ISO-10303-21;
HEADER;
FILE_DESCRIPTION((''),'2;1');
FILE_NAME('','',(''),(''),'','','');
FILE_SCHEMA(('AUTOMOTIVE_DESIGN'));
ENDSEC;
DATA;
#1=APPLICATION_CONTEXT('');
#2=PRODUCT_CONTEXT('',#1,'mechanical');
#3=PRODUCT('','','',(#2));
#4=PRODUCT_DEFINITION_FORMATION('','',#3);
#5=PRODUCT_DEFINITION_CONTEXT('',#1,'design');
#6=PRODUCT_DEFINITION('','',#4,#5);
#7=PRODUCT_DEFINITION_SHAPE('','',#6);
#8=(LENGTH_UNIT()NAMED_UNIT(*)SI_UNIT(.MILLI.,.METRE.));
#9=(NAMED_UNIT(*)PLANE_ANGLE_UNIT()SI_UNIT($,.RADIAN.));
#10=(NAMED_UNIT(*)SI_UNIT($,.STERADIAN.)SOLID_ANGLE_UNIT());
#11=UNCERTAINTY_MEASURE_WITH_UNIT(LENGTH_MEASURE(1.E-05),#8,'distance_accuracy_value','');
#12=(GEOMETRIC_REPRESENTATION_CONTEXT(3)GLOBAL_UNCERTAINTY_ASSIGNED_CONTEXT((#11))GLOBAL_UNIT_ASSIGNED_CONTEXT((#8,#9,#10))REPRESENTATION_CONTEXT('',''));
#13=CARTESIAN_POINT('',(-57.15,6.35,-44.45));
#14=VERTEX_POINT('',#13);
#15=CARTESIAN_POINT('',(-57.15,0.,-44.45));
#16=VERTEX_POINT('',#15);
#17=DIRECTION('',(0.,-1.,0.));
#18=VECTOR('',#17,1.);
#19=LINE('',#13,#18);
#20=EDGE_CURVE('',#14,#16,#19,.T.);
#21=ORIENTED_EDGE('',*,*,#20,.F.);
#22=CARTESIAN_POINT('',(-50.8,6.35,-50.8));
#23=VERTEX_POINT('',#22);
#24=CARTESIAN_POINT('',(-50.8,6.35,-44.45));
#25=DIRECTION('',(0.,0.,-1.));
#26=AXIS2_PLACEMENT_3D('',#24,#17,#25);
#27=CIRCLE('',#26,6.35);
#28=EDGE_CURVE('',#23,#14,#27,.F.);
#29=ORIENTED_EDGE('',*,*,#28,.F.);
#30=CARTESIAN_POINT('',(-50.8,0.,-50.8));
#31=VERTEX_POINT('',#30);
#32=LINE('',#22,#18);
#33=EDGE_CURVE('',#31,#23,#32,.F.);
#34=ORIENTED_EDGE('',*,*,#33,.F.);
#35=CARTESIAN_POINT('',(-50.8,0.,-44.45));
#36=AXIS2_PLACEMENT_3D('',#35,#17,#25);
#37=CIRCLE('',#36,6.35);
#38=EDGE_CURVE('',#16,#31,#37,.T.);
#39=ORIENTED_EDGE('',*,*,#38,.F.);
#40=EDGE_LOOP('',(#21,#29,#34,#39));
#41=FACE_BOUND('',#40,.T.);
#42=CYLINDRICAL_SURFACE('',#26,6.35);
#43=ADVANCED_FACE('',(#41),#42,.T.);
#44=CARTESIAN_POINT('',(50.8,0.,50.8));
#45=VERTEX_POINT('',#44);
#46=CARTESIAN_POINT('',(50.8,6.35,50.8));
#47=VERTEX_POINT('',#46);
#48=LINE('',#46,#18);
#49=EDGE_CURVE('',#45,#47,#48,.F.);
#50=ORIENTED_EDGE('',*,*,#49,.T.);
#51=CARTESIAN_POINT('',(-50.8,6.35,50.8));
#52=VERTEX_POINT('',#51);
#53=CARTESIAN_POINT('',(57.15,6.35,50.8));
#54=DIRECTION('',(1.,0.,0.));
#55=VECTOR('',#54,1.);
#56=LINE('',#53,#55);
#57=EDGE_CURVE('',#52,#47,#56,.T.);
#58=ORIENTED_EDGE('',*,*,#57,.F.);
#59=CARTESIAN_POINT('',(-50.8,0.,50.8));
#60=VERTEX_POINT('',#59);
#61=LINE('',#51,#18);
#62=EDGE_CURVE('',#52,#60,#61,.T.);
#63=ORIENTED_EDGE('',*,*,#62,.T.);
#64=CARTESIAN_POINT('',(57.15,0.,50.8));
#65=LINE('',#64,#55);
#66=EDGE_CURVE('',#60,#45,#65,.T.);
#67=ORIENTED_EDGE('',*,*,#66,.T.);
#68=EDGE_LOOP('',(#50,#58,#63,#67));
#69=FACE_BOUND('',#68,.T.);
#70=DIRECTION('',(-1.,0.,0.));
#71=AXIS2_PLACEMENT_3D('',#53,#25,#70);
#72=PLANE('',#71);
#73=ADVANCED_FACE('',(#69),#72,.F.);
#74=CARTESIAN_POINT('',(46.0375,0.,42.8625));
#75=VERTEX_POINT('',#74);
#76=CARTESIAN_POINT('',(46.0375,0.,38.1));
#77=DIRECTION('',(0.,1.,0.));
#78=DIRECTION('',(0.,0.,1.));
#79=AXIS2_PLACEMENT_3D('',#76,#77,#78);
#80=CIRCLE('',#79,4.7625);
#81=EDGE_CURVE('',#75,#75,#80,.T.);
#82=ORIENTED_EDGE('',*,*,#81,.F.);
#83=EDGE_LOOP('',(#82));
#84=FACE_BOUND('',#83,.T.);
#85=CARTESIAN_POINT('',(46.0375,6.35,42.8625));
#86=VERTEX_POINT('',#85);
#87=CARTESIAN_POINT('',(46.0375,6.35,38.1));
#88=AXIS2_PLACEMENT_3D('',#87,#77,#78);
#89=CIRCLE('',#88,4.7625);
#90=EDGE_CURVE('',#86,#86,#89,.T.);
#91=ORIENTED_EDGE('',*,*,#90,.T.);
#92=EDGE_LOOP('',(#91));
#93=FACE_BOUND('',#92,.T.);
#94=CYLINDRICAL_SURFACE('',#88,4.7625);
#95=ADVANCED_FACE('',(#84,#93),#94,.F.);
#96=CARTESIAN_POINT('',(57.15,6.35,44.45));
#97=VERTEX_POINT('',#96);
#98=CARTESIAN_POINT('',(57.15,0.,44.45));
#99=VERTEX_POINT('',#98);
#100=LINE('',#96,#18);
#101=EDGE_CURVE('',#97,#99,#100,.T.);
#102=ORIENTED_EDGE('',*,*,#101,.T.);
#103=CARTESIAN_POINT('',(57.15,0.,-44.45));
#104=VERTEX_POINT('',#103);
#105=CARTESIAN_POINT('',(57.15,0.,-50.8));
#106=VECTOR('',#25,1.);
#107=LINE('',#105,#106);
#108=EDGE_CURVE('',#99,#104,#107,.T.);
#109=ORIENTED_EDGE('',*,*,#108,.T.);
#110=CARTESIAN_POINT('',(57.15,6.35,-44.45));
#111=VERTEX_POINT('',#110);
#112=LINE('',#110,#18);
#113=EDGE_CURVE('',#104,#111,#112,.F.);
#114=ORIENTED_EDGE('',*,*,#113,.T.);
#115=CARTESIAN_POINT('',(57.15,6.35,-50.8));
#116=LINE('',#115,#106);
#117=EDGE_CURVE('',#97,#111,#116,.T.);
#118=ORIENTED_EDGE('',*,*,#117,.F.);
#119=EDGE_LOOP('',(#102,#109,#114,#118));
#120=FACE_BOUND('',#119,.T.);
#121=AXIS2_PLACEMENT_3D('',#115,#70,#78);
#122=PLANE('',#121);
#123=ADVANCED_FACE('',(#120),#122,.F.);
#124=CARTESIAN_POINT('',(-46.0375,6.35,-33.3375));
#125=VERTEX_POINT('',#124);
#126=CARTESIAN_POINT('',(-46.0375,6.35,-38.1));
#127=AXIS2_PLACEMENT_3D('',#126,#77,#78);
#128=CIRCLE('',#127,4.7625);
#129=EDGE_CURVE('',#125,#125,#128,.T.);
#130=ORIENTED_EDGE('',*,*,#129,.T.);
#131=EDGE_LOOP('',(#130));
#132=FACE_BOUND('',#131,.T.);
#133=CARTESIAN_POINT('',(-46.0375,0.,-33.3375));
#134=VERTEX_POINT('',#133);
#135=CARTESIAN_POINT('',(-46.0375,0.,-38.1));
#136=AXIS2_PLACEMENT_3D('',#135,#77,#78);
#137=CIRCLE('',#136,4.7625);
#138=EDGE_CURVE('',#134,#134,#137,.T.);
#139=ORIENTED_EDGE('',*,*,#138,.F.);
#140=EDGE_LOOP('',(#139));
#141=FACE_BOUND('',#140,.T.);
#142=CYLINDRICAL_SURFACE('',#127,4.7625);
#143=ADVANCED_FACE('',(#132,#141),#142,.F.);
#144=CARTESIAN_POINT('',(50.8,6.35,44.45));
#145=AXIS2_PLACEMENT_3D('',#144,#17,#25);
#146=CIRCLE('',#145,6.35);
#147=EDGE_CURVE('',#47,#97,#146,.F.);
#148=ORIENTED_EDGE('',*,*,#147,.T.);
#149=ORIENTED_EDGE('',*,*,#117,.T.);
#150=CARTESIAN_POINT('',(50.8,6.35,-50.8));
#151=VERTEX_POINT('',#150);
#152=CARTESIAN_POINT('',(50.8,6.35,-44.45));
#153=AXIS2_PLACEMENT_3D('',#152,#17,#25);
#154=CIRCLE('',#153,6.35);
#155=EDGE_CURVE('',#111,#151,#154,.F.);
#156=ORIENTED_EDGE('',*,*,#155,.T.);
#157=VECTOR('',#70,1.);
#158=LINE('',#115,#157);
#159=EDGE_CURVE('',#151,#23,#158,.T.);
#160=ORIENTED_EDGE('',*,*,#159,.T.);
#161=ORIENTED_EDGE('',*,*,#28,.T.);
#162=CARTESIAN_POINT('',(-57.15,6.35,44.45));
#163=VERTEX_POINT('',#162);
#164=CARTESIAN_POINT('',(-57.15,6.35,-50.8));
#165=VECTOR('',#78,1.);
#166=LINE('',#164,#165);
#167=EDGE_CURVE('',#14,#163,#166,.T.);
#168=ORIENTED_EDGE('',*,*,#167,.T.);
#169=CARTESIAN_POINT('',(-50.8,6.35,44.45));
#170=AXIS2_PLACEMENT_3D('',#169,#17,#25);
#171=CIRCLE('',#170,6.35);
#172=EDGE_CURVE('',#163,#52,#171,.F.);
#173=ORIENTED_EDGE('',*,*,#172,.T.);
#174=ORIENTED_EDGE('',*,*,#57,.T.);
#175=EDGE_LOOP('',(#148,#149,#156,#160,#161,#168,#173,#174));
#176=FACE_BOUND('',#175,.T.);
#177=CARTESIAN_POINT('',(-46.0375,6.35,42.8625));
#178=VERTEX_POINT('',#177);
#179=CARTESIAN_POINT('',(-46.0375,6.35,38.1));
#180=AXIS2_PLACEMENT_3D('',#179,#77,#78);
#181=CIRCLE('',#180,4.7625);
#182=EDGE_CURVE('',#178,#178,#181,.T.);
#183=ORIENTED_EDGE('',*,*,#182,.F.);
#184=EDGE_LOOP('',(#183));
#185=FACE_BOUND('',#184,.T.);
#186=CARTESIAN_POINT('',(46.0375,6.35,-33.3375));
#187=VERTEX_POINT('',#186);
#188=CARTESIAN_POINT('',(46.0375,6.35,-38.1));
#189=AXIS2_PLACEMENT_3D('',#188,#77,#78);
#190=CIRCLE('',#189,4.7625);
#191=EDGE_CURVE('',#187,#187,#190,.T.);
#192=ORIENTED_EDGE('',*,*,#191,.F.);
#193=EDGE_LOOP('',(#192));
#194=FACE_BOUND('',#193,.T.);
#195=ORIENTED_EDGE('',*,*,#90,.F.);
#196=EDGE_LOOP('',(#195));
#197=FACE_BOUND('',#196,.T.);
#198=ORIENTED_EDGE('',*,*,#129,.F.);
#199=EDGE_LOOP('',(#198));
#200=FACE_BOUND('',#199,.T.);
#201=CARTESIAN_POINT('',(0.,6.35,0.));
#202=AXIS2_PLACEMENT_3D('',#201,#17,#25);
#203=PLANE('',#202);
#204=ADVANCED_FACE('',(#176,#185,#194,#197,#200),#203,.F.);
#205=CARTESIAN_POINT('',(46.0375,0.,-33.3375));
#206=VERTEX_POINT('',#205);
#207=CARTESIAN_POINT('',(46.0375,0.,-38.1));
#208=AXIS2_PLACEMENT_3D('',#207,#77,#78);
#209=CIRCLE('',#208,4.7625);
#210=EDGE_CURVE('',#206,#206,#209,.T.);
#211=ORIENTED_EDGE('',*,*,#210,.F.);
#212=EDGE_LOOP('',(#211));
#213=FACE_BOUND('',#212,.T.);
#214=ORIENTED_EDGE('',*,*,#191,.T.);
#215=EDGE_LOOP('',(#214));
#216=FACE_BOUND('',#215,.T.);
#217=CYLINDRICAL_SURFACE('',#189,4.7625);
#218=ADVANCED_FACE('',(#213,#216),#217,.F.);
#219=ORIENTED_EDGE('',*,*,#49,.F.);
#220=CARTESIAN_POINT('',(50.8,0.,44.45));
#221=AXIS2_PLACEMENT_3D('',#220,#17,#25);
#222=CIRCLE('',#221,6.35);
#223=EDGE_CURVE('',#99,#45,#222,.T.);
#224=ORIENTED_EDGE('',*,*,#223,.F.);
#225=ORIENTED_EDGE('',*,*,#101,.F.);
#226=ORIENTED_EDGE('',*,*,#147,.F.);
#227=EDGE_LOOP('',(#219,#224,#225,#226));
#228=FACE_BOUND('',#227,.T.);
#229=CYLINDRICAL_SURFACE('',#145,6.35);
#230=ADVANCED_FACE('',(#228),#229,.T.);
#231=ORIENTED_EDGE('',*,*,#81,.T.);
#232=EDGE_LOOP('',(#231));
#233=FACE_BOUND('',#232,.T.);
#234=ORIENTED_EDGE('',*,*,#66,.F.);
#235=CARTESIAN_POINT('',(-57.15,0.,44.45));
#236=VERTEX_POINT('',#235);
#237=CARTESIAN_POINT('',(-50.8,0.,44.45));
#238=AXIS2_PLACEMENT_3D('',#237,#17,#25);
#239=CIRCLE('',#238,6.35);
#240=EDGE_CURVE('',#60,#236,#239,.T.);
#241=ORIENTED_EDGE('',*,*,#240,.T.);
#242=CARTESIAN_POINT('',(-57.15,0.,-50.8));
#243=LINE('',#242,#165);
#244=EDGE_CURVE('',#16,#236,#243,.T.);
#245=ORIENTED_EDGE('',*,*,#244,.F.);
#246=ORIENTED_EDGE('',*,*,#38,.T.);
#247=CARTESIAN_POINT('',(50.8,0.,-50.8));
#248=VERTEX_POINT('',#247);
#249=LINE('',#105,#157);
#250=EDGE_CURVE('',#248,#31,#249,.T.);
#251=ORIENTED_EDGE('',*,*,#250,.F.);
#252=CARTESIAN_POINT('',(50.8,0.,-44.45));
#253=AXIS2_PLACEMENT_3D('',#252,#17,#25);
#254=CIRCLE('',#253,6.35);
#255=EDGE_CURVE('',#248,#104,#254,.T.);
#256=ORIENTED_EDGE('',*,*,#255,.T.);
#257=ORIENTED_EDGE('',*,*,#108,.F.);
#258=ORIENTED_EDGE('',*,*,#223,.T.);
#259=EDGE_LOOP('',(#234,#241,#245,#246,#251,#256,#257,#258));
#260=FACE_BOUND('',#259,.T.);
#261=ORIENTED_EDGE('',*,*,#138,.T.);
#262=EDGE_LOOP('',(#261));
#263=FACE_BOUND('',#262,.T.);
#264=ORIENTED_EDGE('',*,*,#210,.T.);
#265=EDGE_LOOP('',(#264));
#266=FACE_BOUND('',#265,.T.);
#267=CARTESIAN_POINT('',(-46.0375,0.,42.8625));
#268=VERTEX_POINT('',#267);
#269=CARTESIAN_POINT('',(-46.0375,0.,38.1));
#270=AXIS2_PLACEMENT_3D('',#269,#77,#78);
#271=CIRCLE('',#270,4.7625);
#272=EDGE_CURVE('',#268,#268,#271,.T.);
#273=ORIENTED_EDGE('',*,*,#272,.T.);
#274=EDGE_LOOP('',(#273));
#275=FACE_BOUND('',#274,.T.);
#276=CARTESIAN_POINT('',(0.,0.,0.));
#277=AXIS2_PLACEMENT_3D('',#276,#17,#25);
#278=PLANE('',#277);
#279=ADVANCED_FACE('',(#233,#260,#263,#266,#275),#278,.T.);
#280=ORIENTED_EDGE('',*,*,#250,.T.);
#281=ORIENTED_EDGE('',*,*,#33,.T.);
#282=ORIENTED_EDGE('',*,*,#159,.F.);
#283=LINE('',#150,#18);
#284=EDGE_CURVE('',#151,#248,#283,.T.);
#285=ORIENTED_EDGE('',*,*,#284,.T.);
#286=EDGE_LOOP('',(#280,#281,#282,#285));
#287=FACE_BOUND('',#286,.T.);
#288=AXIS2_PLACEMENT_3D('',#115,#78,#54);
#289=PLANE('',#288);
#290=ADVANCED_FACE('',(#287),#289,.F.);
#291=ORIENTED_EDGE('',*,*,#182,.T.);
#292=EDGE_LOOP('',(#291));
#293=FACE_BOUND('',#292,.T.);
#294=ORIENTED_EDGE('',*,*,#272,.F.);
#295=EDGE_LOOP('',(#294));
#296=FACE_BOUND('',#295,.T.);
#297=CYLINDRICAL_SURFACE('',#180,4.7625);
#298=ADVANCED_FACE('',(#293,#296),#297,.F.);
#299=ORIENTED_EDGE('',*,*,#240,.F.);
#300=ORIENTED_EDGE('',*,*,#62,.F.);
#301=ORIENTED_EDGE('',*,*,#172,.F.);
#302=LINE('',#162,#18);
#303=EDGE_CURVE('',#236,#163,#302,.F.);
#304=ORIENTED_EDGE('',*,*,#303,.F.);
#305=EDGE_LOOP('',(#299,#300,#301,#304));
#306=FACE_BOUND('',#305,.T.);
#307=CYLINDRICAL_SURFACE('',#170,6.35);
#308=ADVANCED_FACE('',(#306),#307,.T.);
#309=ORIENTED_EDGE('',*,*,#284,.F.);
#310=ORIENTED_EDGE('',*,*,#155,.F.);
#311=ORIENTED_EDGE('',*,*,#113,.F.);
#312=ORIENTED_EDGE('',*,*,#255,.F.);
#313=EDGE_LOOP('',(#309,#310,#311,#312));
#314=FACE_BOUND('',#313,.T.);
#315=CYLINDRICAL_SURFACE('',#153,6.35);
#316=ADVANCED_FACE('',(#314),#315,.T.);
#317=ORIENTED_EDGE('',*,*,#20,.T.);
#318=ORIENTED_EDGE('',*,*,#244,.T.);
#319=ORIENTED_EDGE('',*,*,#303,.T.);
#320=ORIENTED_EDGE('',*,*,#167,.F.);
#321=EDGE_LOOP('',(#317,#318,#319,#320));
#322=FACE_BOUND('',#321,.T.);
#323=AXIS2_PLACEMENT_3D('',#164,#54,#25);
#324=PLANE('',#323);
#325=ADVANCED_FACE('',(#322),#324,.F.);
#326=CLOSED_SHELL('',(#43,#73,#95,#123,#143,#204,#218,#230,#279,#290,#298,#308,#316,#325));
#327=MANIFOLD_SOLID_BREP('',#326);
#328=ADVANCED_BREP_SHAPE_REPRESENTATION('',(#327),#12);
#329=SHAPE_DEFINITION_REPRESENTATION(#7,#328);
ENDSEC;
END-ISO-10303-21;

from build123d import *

# Parameters (mm, degrees)
SKETCH1_W                    = 114.3
SKETCH1_H                    = 101.6
BOSS_EXTRUDE1_DEPTH          = 6.35
FILLET1_R                    = 6.35
F_3_8_0_375_DIAMETER_HOLE1_D = 9.525


with BuildPart() as part:
    # Sketch1 → Boss-Extrude1 (new body)
    with BuildSketch(Plane(origin=(0, 0, 0), x_dir=(1, 0, 0), z_dir=(0, 1, 0))):
        Rectangle(SKETCH1_W, SKETCH1_H)
    extrude(amount=BOSS_EXTRUDE1_DEPTH)

    # Fillet1
    fillet1_edges = [part.edges().sort_by_distance(p)[0] for p in [
        (-57.15, 3.175, -50.8),
        (57.15, 3.175, -50.8),
        (57.15, 3.175, 50.8),
        (-57.15, 3.175, 50.8),
    ]]
    fillet(fillet1_edges, radius=FILLET1_R)

    # 3/8 (0.375) Diameter Hole1 (through all)
    with Locations(Plane(origin=(46.0375, 6.35, 38.1), x_dir=(0, 0, 1), z_dir=(0, 1, 0))):
        with Locations((0, 0), (0, -92.075), (-76.2, -92.075), (-76.2, 0)):
            Hole(F_3_8_0_375_DIAMETER_HOLE1_D / 2)


solid = part.part
